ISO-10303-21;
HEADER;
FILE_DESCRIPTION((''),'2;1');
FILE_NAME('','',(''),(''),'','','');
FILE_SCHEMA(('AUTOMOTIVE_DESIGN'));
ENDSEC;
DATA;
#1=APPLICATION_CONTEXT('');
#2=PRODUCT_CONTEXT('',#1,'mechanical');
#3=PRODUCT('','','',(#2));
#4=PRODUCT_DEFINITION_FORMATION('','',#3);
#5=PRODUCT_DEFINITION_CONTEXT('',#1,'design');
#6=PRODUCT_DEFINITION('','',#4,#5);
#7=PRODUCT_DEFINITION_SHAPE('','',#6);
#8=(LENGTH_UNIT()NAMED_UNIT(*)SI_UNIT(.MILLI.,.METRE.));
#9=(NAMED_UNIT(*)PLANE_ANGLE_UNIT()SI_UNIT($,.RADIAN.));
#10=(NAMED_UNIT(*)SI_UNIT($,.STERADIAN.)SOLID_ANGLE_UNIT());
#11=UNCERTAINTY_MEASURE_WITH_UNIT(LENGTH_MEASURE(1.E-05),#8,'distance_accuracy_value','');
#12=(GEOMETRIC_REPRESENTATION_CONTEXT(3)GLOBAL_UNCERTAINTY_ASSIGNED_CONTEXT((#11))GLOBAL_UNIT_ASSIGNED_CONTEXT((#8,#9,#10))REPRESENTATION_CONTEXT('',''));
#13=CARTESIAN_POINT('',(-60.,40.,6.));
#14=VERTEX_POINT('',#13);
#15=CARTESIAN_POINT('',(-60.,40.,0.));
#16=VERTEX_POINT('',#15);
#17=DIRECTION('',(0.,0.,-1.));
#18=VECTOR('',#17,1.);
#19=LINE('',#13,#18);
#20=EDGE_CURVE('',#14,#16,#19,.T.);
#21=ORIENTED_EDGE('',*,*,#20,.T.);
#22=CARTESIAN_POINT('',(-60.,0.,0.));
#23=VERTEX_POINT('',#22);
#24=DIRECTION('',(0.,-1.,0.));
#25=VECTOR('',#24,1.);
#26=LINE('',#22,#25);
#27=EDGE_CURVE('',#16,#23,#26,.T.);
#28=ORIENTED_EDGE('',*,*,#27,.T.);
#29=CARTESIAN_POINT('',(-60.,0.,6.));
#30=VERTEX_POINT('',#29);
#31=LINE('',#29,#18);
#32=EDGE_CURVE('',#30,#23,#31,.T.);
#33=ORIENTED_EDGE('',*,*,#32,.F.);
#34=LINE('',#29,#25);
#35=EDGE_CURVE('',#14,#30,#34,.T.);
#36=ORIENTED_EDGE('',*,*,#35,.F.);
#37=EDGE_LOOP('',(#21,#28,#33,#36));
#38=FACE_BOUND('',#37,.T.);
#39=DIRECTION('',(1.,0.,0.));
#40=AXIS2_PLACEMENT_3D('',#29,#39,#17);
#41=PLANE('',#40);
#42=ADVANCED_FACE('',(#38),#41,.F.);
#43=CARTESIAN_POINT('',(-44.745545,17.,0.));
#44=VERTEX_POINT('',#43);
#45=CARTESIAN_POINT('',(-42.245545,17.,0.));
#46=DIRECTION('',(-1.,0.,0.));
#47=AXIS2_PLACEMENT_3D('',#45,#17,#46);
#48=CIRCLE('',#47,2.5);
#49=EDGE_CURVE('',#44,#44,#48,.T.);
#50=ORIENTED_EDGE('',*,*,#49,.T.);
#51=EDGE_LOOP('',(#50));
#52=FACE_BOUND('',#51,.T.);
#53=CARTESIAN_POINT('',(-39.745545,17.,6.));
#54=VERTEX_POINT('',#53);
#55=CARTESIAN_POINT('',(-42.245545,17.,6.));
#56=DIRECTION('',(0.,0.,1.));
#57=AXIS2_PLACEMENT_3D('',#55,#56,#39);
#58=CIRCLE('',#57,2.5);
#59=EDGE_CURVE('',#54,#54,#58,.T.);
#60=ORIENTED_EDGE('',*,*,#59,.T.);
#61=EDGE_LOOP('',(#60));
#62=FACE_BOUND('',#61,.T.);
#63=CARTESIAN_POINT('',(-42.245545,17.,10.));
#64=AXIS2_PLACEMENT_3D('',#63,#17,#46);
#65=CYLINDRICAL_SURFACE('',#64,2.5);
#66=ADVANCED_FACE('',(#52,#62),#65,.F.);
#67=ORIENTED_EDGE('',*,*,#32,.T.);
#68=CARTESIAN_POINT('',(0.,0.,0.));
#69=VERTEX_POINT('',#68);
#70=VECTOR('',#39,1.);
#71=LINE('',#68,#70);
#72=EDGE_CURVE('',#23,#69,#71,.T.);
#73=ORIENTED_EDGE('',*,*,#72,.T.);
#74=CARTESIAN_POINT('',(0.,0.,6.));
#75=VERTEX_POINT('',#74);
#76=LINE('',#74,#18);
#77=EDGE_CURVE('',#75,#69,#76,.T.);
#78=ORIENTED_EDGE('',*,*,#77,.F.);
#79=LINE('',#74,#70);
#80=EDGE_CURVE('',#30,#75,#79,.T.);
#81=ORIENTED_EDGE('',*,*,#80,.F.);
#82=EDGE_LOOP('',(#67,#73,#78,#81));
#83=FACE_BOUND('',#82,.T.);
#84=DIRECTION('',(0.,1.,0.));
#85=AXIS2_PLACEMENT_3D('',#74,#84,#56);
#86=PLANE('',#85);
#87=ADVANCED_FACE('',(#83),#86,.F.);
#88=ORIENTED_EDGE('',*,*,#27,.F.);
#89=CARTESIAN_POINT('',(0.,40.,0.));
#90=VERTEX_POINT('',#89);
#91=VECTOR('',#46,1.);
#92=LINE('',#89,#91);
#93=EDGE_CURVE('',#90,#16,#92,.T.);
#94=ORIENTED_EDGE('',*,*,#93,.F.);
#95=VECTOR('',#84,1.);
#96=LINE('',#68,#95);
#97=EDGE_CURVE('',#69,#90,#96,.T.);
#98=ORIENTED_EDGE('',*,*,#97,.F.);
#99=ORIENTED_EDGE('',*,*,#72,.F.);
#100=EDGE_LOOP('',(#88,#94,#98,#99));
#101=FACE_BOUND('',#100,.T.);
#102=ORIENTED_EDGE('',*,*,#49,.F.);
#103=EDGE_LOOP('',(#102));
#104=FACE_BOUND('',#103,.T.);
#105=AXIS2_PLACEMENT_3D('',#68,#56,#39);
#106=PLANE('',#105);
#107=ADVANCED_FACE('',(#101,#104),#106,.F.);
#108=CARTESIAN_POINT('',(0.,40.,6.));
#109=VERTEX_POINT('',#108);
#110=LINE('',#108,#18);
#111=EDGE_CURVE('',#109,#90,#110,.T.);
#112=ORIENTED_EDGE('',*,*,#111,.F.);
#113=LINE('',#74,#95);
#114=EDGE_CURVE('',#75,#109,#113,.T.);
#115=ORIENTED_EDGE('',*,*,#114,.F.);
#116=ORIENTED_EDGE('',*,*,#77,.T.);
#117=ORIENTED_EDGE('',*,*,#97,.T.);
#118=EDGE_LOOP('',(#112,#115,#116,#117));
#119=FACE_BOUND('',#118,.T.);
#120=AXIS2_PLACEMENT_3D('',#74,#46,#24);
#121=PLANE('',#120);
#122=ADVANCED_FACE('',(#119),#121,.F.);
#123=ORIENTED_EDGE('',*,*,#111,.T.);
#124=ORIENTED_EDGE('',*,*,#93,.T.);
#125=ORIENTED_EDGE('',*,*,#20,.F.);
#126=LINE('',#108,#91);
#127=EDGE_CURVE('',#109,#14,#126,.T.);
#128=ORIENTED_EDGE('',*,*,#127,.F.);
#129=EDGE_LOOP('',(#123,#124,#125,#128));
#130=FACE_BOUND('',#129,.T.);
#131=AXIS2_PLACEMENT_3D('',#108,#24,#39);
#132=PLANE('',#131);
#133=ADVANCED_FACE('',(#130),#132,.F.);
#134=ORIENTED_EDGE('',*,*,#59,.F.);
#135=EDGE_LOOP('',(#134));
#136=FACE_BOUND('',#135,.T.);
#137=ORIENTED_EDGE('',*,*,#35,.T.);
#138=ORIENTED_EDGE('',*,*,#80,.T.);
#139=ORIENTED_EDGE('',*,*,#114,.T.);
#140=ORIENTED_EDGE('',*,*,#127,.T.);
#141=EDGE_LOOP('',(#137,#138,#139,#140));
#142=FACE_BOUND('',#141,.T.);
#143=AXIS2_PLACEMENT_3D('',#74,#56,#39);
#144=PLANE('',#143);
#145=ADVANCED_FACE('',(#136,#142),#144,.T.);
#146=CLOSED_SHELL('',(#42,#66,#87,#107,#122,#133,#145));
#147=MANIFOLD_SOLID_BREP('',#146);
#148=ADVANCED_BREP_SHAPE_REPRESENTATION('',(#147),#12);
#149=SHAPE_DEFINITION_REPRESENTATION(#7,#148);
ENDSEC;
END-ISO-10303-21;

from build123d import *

# Parameters (mm, degrees)
ESQUISSE1_W             = 60
ESQUISSE1_H             = 40
BOSS_EXTRU_1_DEPTH      = 6
ESQUISSE2_R             = 2.5
ENL_V_MAT_EXTRU_1_DEPTH = 10


with BuildPart() as part:
    # Esquisse1 → Boss.-Extru.1 (new body)
    with BuildSketch(Plane.XY):
        with Locations((-30, 20)):
            Rectangle(ESQUISSE1_W, ESQUISSE1_H)
    extrude(amount=BOSS_EXTRU_1_DEPTH)

    # Esquisse2 → Enlèv. mat.-Extru.1 (cut)
    with BuildSketch(Plane(origin=(0, 0, 0), x_dir=(-1, 0, 0), z_dir=(0, 0, -1))):
        with Locations((42.245544671, 17)):
            Circle(ESQUISSE2_R)
    extrude(amount=-ENL_V_MAT_EXTRU_1_DEPTH, mode=Mode.SUBTRACT)


solid = part.part
